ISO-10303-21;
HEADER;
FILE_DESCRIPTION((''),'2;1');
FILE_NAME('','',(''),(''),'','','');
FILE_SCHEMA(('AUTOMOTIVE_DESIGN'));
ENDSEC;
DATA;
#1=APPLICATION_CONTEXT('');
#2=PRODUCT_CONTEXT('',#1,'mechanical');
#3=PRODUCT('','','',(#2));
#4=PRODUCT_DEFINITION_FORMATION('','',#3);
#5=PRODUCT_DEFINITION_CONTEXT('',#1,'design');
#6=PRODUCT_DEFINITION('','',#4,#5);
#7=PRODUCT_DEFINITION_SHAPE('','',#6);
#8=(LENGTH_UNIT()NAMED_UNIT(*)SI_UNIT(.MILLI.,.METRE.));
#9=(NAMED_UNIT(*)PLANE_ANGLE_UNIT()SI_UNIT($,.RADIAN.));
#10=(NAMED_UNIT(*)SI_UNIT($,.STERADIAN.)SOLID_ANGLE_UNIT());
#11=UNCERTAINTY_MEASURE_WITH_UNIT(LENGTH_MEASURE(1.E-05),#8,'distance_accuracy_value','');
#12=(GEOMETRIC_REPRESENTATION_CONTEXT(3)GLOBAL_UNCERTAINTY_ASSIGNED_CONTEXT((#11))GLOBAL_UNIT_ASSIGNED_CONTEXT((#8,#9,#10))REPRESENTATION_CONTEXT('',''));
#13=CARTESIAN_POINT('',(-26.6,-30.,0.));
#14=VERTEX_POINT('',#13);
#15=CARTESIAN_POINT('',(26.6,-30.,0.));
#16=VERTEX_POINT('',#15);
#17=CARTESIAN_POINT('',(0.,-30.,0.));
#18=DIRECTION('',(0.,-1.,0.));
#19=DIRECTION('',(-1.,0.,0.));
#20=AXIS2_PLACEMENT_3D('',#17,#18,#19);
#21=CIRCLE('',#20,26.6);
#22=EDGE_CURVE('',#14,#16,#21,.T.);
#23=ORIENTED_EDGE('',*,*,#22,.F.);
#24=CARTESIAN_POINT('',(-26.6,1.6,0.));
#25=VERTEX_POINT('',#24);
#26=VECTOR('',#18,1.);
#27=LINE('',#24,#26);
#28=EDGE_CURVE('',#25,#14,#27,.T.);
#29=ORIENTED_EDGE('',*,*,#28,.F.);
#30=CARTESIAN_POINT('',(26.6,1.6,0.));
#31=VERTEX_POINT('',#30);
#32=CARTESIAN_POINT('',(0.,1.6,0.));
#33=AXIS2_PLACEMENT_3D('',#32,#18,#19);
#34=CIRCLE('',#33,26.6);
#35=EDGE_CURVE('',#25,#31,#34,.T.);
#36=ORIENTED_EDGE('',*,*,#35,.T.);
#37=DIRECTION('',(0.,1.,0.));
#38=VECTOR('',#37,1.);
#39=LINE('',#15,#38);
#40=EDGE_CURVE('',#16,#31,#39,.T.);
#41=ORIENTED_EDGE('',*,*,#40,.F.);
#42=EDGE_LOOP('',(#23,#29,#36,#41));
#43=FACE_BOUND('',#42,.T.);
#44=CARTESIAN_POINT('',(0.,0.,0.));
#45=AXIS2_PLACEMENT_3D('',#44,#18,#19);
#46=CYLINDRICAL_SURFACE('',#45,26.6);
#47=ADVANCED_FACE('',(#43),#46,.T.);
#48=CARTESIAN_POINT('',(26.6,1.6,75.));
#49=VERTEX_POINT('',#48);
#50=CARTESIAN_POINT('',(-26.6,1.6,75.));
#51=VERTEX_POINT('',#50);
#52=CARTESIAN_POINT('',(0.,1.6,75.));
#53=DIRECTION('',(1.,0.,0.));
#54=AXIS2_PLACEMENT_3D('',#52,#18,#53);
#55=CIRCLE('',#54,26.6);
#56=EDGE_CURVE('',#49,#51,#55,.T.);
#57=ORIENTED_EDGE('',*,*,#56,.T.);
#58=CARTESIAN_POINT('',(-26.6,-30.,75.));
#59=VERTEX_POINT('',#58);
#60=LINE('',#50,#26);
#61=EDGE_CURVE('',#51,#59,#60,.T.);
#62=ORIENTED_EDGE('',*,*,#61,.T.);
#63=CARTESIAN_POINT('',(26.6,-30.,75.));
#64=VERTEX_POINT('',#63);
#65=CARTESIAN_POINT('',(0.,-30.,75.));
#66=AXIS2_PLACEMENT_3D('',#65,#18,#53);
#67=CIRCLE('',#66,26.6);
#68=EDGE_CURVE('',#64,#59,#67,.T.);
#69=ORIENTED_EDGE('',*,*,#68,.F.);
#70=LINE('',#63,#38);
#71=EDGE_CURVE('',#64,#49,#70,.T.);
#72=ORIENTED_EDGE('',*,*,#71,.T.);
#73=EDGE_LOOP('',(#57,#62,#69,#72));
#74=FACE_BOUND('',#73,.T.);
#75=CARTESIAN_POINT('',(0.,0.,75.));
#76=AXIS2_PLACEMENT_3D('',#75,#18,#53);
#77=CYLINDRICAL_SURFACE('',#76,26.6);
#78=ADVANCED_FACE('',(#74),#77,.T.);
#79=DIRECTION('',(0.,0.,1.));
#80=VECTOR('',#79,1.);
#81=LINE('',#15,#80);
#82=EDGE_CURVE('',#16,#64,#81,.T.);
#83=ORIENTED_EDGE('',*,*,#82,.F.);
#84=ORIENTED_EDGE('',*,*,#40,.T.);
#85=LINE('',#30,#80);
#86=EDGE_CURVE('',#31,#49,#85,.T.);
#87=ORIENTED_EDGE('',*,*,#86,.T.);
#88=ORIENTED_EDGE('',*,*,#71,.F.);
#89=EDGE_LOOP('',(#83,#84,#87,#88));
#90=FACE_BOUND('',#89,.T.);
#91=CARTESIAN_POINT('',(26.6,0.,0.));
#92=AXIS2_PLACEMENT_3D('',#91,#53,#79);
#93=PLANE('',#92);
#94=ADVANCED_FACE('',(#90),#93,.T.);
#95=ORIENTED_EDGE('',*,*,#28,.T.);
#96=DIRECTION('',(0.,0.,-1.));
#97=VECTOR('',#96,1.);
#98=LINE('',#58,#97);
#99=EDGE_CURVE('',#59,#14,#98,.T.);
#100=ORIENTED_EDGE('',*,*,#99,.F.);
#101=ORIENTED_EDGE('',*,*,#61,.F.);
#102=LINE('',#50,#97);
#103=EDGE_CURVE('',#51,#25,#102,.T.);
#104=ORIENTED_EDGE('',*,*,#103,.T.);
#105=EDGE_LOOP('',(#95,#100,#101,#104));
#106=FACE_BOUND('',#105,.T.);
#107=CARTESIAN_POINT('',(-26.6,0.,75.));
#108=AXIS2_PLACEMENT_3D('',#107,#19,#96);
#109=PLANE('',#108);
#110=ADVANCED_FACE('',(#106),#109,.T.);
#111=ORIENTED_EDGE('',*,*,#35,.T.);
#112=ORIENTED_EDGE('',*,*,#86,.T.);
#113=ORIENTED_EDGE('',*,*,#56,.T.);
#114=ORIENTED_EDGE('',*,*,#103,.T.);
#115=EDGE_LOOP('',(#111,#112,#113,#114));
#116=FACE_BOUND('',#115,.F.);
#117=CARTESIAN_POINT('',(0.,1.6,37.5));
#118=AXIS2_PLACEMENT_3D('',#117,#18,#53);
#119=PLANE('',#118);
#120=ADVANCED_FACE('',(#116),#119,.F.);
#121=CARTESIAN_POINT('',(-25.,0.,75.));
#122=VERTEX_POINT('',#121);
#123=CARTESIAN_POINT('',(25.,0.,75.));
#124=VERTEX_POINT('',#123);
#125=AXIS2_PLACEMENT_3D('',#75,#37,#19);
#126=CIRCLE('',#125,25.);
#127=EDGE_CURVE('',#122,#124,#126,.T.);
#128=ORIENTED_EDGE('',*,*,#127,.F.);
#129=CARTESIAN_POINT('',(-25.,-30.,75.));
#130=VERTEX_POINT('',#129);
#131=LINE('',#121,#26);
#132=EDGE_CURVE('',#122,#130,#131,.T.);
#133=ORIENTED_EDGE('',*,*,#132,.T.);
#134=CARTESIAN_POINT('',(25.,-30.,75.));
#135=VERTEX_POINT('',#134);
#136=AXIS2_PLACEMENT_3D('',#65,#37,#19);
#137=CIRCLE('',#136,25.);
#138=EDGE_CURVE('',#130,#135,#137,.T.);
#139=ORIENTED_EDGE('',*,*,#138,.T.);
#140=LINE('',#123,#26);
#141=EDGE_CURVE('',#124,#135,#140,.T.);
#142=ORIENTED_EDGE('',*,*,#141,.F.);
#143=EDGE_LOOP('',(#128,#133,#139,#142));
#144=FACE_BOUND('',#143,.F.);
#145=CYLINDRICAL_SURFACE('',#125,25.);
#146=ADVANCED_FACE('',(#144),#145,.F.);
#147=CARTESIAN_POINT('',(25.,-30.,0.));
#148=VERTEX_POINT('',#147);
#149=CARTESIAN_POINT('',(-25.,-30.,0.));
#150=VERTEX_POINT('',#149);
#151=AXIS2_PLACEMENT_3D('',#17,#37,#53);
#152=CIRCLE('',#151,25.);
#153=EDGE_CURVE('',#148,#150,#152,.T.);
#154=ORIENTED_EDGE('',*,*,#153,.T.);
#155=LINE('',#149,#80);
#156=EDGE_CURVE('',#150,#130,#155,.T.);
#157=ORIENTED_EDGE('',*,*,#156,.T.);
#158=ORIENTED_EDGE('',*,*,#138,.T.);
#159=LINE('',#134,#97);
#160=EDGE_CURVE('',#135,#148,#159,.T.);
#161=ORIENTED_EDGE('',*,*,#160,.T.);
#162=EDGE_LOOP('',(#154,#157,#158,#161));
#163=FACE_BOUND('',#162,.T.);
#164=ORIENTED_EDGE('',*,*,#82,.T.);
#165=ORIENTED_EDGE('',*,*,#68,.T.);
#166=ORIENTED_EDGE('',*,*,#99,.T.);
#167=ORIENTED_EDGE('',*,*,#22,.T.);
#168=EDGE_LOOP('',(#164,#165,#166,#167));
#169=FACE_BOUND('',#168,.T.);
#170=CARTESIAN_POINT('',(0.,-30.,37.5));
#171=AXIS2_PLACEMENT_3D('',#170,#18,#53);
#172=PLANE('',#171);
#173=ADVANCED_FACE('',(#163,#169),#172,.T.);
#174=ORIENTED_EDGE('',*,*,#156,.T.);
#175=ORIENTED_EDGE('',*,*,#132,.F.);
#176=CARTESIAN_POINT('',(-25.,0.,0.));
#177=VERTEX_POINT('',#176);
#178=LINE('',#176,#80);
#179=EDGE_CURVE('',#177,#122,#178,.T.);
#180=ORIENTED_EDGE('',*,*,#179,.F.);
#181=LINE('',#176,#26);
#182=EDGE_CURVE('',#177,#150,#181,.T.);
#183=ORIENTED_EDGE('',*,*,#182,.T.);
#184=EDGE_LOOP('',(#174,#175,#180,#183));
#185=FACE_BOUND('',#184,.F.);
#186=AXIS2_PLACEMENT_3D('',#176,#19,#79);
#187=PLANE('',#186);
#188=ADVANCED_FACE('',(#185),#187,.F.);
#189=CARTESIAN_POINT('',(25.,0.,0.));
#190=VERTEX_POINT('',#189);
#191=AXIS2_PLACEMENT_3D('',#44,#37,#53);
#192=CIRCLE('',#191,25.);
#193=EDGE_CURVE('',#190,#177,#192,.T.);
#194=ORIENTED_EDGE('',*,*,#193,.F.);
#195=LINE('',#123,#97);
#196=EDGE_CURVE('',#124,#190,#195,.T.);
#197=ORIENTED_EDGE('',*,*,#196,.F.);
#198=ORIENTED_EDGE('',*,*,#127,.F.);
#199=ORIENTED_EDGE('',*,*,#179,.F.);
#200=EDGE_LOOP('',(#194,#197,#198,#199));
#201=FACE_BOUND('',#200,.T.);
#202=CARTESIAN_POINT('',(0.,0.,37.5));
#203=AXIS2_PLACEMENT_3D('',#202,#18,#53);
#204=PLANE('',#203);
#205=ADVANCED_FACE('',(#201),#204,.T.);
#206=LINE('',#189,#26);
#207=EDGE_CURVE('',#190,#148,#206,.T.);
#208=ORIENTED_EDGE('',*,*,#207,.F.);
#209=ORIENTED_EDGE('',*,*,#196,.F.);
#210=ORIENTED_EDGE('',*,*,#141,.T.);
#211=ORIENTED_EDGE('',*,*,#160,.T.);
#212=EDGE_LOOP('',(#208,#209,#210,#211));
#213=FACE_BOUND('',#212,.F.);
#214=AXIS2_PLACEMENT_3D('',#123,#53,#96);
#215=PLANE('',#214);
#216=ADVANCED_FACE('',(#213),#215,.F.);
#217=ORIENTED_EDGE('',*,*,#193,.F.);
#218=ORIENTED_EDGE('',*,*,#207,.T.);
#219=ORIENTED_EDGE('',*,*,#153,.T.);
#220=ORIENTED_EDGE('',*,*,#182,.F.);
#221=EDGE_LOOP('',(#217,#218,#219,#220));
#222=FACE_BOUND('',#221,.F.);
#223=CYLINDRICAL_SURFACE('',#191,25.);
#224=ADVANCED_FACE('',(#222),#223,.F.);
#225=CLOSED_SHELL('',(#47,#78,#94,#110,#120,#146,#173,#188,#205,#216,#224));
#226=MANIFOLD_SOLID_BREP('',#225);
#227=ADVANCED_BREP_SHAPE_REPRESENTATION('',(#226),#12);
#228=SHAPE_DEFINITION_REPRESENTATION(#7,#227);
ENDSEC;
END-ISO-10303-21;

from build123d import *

# Parameters (mm, degrees)
F3_DEPTH = 30
F4_DEPTH = 1.6


with BuildPart() as f3:
    # F2 (on Front) → F3 (new body)
    with BuildSketch(Plane.XZ):
        with BuildLine():
            ThreePointArc((26.6, 75), (0, 101.6), (-26.6, 75))
            Line((-26.6, 75), (-26.6, 0))
            ThreePointArc((-26.6, 0), (0, -26.6), (26.6, 0))
            Line((26.6, 0), (26.6, 75))
        make_face()
        with BuildLine():
            Line((25, 75), (25, 0))
            ThreePointArc((25, 0), (0, -25), (-25, 0))
            Line((-25, 0), (-25, 75))
            ThreePointArc((-25, 75), (0, 100), (25, 75))
        make_face(mode=Mode.SUBTRACT)
    extrude(amount=F3_DEPTH)

    # F2 (on Front) → F4 (join)
    with BuildSketch(Plane.XZ):
        with BuildLine():
            ThreePointArc((26.6, 75), (0, 101.6), (-26.6, 75))
            Line((-26.6, 75), (-26.6, 0))
            ThreePointArc((-26.6, 0), (0, -26.6), (26.6, 0))
            Line((26.6, 0), (26.6, 75))
        make_face()
        with BuildLine():
            Line((25, 75), (25, 0))
            ThreePointArc((25, 0), (0, -25), (-25, 0))
            Line((-25, 0), (-25, 75))
            ThreePointArc((-25, 75), (0, 100), (25, 75))
        make_face(mode=Mode.SUBTRACT)
        with BuildLine():
            ThreePointArc((-25, 0), (0, -25), (25, 0))
            Line((25, 0), (25, 75))
            ThreePointArc((25, 75), (0, 100), (-25, 75))
            Line((-25, 75), (-25, 0))
        make_face()
    extrude(amount=-F4_DEPTH)


solid = f3.part
